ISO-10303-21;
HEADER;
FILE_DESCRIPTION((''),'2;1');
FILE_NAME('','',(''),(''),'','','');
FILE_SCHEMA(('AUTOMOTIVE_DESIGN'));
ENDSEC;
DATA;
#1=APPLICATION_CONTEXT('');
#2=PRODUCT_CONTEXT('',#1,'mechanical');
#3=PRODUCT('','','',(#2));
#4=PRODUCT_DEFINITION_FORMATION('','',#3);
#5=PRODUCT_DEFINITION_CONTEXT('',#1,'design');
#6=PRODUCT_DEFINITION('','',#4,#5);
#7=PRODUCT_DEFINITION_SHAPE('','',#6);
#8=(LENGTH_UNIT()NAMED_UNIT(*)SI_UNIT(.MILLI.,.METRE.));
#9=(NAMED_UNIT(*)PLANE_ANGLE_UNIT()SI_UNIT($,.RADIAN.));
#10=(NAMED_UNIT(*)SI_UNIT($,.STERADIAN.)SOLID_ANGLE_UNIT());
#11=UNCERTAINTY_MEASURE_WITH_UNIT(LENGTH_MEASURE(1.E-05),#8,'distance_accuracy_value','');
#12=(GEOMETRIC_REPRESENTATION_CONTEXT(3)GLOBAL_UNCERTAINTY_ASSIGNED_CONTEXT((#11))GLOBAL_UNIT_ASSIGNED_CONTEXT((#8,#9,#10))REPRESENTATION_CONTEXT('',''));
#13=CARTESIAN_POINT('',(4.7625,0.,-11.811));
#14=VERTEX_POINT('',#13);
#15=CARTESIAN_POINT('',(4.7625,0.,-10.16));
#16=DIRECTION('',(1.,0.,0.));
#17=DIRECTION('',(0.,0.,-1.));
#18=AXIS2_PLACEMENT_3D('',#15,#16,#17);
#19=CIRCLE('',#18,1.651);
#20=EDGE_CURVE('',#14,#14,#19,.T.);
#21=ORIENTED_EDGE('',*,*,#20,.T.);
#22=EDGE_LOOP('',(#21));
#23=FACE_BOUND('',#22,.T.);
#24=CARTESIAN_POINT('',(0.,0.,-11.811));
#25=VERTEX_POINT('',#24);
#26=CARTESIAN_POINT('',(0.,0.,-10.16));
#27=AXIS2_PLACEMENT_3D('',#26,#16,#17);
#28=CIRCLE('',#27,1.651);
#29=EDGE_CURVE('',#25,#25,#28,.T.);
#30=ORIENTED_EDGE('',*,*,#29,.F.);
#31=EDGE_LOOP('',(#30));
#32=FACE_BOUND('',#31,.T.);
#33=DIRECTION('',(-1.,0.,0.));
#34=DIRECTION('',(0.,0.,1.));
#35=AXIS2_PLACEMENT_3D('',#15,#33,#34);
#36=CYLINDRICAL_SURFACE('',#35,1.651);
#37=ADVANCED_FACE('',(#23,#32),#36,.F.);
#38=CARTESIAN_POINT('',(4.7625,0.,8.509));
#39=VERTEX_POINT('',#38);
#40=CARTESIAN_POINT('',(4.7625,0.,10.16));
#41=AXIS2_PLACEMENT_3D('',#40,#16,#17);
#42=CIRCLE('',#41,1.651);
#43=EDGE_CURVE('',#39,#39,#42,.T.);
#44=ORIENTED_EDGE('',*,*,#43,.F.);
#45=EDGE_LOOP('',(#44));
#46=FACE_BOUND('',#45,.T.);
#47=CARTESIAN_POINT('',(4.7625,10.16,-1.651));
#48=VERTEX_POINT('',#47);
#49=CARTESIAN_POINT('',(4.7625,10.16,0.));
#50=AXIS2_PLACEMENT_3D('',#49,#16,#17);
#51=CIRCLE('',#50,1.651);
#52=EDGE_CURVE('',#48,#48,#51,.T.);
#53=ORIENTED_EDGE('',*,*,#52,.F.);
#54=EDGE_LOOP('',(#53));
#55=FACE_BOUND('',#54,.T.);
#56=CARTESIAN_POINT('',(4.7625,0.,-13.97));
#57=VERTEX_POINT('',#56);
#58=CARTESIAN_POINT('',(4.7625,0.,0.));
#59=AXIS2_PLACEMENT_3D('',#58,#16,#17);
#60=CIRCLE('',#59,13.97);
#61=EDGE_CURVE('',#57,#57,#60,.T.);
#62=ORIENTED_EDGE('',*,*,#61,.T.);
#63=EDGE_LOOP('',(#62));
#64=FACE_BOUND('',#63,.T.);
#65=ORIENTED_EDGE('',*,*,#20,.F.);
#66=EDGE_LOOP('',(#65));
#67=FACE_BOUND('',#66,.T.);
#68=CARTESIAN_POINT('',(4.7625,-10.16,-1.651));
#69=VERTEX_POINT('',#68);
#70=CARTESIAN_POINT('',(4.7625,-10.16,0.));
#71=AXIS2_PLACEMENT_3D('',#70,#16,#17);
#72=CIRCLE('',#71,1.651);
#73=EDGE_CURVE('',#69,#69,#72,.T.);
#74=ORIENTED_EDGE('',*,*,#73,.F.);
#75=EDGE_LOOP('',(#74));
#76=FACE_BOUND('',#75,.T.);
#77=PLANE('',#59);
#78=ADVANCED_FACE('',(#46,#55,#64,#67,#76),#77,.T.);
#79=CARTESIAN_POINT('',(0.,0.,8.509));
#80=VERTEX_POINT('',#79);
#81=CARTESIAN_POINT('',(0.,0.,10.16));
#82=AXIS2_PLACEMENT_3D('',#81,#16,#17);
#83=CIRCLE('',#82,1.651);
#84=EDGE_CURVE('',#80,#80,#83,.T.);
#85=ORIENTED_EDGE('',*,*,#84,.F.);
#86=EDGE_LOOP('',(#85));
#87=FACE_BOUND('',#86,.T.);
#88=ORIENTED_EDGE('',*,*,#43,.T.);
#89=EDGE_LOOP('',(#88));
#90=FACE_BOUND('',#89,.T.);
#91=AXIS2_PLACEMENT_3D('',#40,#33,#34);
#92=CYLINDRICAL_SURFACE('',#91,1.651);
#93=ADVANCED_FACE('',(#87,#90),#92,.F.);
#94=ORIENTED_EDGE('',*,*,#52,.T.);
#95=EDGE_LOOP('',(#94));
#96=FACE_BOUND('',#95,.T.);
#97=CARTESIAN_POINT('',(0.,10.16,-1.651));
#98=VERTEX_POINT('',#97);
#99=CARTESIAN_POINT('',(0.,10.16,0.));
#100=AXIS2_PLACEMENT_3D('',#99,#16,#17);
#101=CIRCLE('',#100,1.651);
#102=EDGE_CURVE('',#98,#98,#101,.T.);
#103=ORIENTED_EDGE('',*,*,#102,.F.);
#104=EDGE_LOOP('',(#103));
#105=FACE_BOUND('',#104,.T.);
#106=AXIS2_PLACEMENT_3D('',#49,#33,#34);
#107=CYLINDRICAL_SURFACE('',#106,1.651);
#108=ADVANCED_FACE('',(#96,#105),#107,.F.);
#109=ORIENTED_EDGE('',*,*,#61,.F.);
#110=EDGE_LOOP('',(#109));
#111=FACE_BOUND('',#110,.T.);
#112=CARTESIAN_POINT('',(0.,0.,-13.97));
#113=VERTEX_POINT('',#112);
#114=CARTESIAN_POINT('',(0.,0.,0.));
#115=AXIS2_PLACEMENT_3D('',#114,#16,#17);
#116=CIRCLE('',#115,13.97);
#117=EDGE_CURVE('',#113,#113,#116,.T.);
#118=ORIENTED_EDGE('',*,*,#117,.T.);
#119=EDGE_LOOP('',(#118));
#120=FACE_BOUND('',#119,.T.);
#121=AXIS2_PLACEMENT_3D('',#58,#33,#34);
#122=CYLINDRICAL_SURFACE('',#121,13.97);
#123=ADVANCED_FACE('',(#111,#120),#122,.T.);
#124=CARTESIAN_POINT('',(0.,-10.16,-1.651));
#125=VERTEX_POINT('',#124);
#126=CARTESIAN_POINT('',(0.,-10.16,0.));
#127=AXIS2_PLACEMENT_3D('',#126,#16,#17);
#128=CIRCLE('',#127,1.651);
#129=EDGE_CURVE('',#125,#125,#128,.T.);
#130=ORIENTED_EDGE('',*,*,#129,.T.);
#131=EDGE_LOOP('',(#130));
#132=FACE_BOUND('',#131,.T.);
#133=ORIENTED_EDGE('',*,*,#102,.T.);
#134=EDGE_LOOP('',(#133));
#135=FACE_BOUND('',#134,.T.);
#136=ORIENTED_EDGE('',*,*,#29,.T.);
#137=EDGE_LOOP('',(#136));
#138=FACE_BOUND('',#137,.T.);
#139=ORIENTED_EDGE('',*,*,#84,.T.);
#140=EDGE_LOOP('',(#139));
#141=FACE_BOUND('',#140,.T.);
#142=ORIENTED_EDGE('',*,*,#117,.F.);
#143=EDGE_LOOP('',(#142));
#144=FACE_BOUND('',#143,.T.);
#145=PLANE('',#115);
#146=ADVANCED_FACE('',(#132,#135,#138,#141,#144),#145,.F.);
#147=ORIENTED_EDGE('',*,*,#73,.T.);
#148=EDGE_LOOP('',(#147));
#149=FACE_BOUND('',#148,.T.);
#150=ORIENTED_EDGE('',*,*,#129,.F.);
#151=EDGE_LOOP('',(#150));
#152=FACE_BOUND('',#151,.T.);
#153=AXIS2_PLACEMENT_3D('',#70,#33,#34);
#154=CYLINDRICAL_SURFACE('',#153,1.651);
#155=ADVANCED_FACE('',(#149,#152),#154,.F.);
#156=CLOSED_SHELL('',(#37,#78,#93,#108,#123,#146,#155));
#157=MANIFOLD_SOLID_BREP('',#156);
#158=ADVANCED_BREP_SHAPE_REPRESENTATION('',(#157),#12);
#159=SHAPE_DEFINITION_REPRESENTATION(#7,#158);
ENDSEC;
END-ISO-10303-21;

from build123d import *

# Parameters (mm, degrees)
SKETCH1_R           = 13.97
SKETCH1_R_2         = 1.651
BOSS_EXTRUDE1_DEPTH = 4.7625


with BuildPart() as part:
    # Sketch1 → Boss-Extrude1 (new body)
    with BuildSketch(Plane(origin=(0, 0, 0), x_dir=(0, 0, -1), z_dir=(1, 0, 0))):
        Circle(SKETCH1_R)
        with Locations((-10.16, 0)):
            Circle(SKETCH1_R_2, mode=Mode.SUBTRACT)
        with Locations((0, 10.16)):
            Circle(SKETCH1_R_2, mode=Mode.SUBTRACT)
        with Locations((10.16, 0)):
            Circle(SKETCH1_R_2, mode=Mode.SUBTRACT)
        with Locations((0, -10.16)):
            Circle(SKETCH1_R_2, mode=Mode.SUBTRACT)
    extrude(amount=BOSS_EXTRUDE1_DEPTH)


solid = part.part
